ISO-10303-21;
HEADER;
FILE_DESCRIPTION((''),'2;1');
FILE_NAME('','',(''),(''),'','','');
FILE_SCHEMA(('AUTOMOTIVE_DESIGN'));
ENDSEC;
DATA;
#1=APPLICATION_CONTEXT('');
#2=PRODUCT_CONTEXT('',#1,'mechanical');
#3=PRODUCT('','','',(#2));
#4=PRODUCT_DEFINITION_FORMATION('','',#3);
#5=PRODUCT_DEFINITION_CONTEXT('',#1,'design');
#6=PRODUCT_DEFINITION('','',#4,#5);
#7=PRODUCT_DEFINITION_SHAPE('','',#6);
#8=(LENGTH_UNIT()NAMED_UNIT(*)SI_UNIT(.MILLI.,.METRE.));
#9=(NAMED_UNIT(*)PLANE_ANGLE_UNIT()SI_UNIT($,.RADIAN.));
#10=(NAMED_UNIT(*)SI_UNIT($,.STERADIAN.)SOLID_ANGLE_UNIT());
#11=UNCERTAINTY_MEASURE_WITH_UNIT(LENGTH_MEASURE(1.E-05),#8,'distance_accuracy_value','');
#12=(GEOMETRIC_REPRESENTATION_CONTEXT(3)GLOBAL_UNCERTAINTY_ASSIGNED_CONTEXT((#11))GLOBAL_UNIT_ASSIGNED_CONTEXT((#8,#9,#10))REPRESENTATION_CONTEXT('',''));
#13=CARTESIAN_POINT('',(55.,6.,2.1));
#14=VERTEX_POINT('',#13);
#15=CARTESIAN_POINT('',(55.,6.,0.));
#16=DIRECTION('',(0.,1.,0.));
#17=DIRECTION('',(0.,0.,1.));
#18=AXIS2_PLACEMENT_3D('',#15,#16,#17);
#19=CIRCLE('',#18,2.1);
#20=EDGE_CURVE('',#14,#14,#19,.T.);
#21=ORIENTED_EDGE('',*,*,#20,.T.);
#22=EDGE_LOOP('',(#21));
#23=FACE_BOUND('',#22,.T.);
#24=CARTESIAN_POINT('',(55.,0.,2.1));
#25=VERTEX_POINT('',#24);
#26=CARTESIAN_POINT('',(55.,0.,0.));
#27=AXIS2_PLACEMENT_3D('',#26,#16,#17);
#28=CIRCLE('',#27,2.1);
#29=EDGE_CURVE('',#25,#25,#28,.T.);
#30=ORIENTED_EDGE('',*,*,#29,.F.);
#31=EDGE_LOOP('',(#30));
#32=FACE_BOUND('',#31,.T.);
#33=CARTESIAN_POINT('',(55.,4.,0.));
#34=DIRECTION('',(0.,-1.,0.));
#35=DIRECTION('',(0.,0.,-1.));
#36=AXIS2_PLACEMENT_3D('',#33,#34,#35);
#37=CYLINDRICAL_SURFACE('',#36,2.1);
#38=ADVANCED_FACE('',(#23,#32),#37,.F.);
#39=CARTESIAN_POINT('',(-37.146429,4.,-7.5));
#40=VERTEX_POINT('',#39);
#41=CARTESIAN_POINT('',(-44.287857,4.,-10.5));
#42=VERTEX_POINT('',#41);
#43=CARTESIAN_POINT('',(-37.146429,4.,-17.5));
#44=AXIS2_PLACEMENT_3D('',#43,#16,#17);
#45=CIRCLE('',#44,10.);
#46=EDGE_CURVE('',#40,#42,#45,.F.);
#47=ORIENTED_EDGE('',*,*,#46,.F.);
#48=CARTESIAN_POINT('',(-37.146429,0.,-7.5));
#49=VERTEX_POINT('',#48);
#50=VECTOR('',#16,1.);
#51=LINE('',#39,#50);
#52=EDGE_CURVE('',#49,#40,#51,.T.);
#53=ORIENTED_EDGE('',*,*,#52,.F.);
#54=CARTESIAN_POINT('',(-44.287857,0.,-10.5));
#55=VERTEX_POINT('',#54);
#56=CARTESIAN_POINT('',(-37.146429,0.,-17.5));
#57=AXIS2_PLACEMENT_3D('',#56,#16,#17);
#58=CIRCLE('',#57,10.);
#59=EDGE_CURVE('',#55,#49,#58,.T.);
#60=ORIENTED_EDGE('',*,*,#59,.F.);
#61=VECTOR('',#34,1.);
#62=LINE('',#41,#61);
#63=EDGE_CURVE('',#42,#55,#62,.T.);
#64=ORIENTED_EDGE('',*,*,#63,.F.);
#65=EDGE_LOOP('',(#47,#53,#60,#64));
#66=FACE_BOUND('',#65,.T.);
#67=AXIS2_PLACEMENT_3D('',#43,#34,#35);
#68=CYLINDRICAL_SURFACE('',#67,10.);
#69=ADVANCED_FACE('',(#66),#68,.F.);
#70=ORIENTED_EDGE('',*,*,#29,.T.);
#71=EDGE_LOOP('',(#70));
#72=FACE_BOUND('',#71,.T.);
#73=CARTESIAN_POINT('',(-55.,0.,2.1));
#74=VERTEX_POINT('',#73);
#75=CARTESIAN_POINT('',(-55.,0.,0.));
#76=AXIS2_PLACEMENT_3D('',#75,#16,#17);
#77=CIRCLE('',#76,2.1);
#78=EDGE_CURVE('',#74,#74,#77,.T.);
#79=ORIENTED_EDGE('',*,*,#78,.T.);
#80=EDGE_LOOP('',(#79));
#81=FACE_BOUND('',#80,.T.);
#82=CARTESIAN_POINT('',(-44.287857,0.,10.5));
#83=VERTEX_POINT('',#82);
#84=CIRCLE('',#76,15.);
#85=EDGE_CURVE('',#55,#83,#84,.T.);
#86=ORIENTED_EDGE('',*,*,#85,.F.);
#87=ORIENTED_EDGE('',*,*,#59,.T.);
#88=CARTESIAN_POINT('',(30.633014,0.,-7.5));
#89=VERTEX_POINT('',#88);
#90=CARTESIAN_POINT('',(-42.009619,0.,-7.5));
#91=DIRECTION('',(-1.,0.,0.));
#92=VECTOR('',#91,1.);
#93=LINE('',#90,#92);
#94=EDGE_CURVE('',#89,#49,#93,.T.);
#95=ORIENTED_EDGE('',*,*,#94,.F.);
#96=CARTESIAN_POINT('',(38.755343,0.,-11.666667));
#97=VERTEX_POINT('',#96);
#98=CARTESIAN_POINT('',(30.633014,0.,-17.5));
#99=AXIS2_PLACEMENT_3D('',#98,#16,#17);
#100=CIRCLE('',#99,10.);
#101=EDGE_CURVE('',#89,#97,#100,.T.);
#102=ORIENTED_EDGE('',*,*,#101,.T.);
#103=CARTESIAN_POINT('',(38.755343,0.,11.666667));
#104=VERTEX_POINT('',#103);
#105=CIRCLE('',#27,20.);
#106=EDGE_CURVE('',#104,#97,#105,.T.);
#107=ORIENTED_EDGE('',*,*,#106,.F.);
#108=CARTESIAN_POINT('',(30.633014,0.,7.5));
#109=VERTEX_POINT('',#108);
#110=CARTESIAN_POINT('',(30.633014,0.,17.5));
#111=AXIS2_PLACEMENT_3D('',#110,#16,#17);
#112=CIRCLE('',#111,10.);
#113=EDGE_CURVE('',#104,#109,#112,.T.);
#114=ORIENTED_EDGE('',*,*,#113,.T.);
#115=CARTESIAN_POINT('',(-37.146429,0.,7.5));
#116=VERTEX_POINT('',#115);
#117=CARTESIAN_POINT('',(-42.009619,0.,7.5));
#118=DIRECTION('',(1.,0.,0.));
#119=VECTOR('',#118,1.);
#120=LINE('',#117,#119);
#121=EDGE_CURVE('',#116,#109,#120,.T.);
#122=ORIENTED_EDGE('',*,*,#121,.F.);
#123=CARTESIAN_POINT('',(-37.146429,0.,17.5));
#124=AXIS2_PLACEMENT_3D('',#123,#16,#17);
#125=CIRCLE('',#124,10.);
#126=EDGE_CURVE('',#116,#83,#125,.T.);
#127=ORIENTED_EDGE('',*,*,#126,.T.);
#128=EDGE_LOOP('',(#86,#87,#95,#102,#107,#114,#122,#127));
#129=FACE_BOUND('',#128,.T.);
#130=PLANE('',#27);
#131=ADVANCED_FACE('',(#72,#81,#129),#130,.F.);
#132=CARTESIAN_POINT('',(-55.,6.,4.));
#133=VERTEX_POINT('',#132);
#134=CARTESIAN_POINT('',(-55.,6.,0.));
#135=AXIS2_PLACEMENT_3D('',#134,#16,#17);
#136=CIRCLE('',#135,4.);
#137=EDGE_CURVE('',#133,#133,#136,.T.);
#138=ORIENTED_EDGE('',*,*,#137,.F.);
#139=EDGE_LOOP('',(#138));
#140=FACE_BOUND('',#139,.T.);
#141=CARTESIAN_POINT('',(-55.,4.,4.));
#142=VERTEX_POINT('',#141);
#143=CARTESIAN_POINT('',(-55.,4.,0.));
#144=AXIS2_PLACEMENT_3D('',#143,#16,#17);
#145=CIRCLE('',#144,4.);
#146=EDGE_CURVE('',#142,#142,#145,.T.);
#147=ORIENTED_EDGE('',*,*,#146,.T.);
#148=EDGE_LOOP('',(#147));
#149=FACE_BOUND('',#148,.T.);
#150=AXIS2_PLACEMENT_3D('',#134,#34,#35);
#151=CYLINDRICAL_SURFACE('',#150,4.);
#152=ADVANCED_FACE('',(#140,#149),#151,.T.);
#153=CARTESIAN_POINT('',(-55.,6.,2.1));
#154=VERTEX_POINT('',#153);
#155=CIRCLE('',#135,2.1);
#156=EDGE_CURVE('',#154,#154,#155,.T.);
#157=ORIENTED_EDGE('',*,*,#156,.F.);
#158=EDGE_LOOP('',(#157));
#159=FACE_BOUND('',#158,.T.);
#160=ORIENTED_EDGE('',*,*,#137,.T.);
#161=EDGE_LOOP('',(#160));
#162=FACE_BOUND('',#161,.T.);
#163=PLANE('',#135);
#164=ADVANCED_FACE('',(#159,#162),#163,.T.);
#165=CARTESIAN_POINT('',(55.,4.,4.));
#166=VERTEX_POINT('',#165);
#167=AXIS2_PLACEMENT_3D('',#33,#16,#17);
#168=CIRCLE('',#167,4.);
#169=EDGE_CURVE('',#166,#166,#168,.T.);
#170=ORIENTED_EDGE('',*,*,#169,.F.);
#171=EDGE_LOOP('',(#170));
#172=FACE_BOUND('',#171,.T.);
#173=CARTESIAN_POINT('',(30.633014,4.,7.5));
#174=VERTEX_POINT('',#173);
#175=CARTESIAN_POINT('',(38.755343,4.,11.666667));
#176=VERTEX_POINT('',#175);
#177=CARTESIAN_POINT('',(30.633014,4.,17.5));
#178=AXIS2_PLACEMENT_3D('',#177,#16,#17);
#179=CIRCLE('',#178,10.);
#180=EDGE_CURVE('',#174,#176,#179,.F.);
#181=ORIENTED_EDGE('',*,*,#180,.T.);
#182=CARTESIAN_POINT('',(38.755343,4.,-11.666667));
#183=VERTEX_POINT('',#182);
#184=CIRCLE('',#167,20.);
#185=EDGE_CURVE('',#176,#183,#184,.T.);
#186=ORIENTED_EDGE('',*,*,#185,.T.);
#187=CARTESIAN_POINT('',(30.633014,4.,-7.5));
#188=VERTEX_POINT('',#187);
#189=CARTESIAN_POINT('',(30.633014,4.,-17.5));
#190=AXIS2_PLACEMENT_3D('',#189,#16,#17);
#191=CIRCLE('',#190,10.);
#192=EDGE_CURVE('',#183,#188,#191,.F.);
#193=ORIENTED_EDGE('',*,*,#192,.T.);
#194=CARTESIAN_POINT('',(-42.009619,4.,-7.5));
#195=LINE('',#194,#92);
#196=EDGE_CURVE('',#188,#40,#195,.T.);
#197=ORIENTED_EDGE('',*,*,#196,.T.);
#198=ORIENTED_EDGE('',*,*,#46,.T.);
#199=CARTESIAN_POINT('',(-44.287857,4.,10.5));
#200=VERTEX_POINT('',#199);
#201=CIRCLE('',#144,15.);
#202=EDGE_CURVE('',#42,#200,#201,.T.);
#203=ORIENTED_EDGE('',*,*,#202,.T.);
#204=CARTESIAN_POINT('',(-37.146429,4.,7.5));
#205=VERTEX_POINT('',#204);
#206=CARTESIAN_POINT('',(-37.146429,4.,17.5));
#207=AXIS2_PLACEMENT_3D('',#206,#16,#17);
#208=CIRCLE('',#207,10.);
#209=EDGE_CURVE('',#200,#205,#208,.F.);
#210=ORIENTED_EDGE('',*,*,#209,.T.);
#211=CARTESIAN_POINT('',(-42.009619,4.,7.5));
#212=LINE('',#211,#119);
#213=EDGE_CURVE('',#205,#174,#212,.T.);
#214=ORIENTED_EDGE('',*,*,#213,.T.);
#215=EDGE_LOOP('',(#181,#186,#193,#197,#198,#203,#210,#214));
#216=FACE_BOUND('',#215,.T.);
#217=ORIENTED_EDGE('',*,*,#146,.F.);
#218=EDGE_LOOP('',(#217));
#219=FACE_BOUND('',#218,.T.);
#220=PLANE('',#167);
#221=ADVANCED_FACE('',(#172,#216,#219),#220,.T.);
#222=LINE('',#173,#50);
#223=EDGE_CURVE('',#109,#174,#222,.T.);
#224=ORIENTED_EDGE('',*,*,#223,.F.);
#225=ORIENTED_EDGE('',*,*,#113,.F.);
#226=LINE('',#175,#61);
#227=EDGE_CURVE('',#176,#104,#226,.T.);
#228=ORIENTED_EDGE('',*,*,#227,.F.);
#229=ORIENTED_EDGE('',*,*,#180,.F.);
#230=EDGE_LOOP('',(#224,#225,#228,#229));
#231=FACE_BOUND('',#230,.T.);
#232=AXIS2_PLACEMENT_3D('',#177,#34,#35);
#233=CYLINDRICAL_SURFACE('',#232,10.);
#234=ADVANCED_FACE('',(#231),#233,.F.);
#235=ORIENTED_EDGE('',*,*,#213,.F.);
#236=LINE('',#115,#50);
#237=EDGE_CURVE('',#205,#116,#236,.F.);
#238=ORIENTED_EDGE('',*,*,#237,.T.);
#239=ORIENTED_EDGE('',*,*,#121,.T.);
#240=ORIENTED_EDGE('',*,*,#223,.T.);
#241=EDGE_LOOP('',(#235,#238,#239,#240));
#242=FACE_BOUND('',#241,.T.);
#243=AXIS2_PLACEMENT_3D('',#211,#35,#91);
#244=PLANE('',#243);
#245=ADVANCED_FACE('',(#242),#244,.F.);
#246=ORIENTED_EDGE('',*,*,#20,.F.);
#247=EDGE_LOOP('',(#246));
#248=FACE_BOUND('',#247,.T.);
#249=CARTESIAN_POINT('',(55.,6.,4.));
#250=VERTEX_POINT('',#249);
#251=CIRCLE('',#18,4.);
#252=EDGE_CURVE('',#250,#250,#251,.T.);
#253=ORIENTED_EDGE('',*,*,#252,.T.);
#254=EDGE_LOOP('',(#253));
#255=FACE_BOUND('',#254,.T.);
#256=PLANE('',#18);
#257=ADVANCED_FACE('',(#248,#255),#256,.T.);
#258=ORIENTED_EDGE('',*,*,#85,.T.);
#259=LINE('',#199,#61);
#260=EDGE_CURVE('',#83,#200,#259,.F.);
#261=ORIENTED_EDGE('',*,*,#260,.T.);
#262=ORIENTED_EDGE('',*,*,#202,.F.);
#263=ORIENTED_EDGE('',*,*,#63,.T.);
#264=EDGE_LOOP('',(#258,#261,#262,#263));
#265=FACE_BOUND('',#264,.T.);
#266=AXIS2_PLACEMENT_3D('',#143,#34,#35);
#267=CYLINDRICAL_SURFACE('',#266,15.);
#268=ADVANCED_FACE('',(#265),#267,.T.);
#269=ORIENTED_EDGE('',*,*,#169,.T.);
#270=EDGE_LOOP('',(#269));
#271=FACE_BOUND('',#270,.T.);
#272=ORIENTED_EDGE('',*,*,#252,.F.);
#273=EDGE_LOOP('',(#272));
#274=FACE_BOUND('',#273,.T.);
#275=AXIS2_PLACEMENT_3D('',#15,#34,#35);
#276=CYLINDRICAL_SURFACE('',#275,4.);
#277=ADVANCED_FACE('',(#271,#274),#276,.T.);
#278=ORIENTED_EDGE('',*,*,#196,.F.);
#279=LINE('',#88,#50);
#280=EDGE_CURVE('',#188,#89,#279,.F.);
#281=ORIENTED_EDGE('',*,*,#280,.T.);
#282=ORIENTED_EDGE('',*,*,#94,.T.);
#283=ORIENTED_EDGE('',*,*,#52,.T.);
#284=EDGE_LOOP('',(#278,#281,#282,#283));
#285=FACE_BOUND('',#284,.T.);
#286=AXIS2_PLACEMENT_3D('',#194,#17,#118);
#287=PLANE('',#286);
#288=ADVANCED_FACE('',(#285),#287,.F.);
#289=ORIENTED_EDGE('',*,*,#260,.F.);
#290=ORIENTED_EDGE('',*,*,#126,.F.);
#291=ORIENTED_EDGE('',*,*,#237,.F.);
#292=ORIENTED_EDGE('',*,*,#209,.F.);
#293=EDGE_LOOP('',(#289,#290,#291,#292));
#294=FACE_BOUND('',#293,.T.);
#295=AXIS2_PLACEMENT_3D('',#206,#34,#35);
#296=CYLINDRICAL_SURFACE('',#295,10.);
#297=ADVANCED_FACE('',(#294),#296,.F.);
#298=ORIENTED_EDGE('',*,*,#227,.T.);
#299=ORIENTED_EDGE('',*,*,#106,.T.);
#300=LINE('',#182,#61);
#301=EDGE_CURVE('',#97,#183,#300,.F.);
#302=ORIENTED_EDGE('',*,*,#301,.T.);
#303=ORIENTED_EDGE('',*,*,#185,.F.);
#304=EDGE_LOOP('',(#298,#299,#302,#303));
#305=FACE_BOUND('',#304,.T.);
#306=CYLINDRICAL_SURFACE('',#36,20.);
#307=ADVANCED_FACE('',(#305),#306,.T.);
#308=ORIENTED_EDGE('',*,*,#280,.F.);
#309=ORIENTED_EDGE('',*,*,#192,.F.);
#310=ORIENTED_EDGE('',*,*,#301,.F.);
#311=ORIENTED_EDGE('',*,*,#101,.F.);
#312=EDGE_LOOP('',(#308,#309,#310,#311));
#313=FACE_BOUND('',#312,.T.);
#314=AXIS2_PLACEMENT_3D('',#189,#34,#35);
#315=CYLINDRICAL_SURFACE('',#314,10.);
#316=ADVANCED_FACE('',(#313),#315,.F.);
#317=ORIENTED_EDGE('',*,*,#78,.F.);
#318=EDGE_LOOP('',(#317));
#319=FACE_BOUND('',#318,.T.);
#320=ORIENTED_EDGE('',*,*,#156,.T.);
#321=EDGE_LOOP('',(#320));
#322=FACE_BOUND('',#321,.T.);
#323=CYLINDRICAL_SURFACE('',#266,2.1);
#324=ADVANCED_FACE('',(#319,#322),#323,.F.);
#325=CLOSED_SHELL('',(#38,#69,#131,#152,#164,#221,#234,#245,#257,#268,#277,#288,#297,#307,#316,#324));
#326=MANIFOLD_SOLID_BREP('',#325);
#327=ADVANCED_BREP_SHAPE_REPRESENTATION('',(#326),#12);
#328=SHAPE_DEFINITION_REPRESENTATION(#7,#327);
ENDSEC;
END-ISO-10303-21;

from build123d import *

# Parameters (mm, degrees)
SKETCH1_R           = 2.1
BOSS_EXTRUDE1_DEPTH = 4
FILLET1_R           = 10
SKETCH2_R           = 4
SKETCH2_R_2         = 2.1
BOSS_EXTRUDE2_DEPTH = 2


with BuildPart() as part:
    # Sketch1 → Boss-Extrude1 (new body)
    with BuildSketch(Plane(origin=(0, 0, 0), x_dir=(1, 0, 0), z_dir=(0, 1, 0))):
        with BuildLine():
            Line((-42.009618943, 7.5), (36.459503782, 7.5))
            ThreePointArc((36.459503782, 7.5), (75, 0), (36.459503782, -7.5))
            Line((36.459503782, -7.5), (-42.009618943, -7.5))
            ThreePointArc((-42.009618943, -7.5), (-70, 0), (-42.009618943, 7.5))
        make_face()
        with Locations(Location((-55, 0, 0), (0, 0, 270))):
            Circle(SKETCH1_R, mode=Mode.SUBTRACT)
        with Locations(Location((55, 0, 0), (0, 0, 270))):
            Circle(SKETCH1_R, mode=Mode.SUBTRACT)
    extrude(amount=BOSS_EXTRUDE1_DEPTH)

    # Fillet1
    fillet1_edges = [part.edges().sort_by_distance(p)[0] for p in [
        (36.459503782, 2, 7.5),
        (-42.009618943, 2, 7.5),
        (-42.009618943, 2, -7.5),
        (36.459503782, 2, -7.5),
    ]]
    fillet(fillet1_edges, radius=FILLET1_R)

    # Sketch2 → Boss-Extrude2 (add)
    # profile 1 of 2: a face of its own
    with BuildSketch(Plane(origin=(0, 4, 0), x_dir=(1, 0, 0), z_dir=(0, 1, 0))):
        with Locations(Location((55, 0, 0), (0, 0, 270))):
            Circle(SKETCH2_R)
        with Locations(Location((55, 0, 0), (0, 0, 270))):
            Circle(SKETCH2_R_2, mode=Mode.SUBTRACT)
    # profile 2 of 2: a face of its own
    with BuildSketch(Plane(origin=(0, 4, 0), x_dir=(1, 0, 0), z_dir=(0, 1, 0))):
        with Locations(Location((-55, 0, 0), (0, 0, 270))):
            Circle(SKETCH2_R)
        with Locations(Location((-55, 0, 0), (0, 0, 270))):
            Circle(SKETCH2_R_2, mode=Mode.SUBTRACT)
    extrude(amount=BOSS_EXTRUDE2_DEPTH)


solid = part.part
